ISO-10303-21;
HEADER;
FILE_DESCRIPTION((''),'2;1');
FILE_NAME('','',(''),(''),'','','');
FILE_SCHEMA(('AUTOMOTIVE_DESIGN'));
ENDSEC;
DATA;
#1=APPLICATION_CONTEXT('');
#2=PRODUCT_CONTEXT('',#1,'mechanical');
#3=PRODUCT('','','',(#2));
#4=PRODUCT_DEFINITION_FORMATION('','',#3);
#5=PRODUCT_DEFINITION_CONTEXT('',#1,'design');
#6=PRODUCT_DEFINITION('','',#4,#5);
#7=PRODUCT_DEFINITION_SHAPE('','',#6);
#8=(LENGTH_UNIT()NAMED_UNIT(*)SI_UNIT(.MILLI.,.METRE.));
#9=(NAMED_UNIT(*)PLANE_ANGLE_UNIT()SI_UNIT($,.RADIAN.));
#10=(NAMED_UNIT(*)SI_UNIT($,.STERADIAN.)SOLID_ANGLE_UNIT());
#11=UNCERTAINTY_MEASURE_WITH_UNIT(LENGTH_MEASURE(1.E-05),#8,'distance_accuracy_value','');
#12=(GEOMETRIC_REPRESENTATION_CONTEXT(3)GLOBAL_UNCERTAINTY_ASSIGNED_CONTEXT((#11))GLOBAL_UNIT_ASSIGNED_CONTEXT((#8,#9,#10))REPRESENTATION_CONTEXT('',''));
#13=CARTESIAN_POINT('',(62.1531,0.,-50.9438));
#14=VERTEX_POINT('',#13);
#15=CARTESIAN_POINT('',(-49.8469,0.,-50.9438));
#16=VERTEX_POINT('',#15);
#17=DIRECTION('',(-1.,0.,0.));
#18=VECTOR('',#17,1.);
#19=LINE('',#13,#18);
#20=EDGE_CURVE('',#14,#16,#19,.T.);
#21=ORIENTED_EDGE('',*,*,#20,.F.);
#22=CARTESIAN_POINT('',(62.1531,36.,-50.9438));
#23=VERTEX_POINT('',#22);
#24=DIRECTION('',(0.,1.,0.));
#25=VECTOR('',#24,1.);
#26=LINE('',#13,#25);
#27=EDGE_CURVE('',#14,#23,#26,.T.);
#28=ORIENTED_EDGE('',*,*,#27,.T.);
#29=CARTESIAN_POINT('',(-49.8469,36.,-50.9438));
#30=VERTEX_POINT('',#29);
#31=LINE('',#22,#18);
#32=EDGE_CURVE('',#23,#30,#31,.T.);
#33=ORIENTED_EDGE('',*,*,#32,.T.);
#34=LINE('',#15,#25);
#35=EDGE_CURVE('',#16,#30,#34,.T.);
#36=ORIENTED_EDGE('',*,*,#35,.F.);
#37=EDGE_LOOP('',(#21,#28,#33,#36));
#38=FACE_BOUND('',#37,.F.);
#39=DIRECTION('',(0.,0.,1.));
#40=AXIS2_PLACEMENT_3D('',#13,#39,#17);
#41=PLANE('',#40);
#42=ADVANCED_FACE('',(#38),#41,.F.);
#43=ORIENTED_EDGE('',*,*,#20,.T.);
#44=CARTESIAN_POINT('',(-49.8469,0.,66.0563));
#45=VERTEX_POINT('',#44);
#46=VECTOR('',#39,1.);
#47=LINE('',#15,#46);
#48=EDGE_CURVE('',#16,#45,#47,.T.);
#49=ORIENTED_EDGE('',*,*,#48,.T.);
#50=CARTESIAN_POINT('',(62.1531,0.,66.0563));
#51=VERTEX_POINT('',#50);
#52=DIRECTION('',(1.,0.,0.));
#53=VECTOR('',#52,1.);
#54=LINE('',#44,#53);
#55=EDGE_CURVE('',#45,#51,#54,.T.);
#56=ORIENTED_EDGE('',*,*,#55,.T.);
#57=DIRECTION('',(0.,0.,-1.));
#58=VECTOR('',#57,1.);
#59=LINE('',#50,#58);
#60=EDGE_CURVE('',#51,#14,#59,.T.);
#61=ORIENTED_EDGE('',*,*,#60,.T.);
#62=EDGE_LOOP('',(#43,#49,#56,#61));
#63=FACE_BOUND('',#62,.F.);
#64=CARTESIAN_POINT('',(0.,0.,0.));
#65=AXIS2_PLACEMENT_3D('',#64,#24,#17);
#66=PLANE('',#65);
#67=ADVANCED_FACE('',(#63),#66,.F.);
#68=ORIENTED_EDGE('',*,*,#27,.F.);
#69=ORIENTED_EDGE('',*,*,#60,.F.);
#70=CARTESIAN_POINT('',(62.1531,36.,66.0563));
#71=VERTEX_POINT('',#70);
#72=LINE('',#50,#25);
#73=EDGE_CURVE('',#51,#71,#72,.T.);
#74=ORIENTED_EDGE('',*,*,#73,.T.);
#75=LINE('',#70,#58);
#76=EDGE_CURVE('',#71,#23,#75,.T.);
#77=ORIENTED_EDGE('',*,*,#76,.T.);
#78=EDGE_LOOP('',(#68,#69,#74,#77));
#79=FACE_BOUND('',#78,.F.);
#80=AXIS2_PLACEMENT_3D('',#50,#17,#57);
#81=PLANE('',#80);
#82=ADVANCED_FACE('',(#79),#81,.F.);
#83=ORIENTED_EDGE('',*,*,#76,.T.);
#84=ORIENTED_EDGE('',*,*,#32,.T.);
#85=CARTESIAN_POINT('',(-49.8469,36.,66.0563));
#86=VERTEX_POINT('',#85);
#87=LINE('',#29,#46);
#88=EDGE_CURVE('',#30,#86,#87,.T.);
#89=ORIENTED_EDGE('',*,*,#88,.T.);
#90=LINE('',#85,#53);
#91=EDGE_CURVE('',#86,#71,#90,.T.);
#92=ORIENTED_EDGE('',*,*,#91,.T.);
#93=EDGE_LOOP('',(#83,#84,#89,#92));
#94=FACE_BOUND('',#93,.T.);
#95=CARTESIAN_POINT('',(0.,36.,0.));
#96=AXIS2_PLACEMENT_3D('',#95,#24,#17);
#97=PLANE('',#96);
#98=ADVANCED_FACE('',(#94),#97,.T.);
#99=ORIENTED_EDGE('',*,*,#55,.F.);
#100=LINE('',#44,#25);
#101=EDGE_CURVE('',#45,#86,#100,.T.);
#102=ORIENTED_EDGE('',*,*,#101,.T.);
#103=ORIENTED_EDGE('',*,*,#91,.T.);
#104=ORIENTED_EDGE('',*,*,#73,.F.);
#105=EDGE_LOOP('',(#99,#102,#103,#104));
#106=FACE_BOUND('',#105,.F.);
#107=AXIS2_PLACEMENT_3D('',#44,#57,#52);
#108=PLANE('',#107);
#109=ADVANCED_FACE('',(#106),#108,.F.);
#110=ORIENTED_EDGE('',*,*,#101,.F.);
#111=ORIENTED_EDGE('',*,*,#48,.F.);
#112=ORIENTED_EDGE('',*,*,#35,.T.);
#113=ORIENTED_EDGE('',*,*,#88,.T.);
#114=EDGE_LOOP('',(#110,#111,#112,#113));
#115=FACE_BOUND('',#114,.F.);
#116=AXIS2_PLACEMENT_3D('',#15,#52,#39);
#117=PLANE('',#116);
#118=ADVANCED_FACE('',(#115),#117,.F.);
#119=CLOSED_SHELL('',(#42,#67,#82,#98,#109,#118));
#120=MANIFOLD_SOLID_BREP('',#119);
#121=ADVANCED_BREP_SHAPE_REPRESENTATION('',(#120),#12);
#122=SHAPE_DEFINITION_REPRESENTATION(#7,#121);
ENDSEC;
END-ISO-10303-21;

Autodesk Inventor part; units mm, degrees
ref_plane "YZ Plane" through (0, 0, 0) normal (1, 0, 0) x (0, 1, 0)
ref_plane "XZ Plane" through (0, 0, 0) normal (0, 1, 0) x (-1, 0, 0)
ref_plane "XY Plane" through (0, 0, 0) normal (0, 0, 1) x (1, 0, 0)
sketch "Sketch1" plane through (0, 0, 0) normal (0, 1, 0) x (-1, 0, 0)
  line L0 (49.8469, 66.0563) -> (-62.1531, 66.0563)
  line L1 (-62.1531, 66.0563) -> (-62.1531, -50.9438)
  line L2 (-62.1531, -50.9438) -> (49.8469, -50.9438)
  line L3 (49.8469, -50.9438) -> (49.8469, 66.0563)
  point P0 (0, 0)
  dimension "d0" = 117
  dimension "d1" = 112
extrude "Extrusion1" add sketch "Sketch1" along normal blind 36
properties part number "nucI5"
